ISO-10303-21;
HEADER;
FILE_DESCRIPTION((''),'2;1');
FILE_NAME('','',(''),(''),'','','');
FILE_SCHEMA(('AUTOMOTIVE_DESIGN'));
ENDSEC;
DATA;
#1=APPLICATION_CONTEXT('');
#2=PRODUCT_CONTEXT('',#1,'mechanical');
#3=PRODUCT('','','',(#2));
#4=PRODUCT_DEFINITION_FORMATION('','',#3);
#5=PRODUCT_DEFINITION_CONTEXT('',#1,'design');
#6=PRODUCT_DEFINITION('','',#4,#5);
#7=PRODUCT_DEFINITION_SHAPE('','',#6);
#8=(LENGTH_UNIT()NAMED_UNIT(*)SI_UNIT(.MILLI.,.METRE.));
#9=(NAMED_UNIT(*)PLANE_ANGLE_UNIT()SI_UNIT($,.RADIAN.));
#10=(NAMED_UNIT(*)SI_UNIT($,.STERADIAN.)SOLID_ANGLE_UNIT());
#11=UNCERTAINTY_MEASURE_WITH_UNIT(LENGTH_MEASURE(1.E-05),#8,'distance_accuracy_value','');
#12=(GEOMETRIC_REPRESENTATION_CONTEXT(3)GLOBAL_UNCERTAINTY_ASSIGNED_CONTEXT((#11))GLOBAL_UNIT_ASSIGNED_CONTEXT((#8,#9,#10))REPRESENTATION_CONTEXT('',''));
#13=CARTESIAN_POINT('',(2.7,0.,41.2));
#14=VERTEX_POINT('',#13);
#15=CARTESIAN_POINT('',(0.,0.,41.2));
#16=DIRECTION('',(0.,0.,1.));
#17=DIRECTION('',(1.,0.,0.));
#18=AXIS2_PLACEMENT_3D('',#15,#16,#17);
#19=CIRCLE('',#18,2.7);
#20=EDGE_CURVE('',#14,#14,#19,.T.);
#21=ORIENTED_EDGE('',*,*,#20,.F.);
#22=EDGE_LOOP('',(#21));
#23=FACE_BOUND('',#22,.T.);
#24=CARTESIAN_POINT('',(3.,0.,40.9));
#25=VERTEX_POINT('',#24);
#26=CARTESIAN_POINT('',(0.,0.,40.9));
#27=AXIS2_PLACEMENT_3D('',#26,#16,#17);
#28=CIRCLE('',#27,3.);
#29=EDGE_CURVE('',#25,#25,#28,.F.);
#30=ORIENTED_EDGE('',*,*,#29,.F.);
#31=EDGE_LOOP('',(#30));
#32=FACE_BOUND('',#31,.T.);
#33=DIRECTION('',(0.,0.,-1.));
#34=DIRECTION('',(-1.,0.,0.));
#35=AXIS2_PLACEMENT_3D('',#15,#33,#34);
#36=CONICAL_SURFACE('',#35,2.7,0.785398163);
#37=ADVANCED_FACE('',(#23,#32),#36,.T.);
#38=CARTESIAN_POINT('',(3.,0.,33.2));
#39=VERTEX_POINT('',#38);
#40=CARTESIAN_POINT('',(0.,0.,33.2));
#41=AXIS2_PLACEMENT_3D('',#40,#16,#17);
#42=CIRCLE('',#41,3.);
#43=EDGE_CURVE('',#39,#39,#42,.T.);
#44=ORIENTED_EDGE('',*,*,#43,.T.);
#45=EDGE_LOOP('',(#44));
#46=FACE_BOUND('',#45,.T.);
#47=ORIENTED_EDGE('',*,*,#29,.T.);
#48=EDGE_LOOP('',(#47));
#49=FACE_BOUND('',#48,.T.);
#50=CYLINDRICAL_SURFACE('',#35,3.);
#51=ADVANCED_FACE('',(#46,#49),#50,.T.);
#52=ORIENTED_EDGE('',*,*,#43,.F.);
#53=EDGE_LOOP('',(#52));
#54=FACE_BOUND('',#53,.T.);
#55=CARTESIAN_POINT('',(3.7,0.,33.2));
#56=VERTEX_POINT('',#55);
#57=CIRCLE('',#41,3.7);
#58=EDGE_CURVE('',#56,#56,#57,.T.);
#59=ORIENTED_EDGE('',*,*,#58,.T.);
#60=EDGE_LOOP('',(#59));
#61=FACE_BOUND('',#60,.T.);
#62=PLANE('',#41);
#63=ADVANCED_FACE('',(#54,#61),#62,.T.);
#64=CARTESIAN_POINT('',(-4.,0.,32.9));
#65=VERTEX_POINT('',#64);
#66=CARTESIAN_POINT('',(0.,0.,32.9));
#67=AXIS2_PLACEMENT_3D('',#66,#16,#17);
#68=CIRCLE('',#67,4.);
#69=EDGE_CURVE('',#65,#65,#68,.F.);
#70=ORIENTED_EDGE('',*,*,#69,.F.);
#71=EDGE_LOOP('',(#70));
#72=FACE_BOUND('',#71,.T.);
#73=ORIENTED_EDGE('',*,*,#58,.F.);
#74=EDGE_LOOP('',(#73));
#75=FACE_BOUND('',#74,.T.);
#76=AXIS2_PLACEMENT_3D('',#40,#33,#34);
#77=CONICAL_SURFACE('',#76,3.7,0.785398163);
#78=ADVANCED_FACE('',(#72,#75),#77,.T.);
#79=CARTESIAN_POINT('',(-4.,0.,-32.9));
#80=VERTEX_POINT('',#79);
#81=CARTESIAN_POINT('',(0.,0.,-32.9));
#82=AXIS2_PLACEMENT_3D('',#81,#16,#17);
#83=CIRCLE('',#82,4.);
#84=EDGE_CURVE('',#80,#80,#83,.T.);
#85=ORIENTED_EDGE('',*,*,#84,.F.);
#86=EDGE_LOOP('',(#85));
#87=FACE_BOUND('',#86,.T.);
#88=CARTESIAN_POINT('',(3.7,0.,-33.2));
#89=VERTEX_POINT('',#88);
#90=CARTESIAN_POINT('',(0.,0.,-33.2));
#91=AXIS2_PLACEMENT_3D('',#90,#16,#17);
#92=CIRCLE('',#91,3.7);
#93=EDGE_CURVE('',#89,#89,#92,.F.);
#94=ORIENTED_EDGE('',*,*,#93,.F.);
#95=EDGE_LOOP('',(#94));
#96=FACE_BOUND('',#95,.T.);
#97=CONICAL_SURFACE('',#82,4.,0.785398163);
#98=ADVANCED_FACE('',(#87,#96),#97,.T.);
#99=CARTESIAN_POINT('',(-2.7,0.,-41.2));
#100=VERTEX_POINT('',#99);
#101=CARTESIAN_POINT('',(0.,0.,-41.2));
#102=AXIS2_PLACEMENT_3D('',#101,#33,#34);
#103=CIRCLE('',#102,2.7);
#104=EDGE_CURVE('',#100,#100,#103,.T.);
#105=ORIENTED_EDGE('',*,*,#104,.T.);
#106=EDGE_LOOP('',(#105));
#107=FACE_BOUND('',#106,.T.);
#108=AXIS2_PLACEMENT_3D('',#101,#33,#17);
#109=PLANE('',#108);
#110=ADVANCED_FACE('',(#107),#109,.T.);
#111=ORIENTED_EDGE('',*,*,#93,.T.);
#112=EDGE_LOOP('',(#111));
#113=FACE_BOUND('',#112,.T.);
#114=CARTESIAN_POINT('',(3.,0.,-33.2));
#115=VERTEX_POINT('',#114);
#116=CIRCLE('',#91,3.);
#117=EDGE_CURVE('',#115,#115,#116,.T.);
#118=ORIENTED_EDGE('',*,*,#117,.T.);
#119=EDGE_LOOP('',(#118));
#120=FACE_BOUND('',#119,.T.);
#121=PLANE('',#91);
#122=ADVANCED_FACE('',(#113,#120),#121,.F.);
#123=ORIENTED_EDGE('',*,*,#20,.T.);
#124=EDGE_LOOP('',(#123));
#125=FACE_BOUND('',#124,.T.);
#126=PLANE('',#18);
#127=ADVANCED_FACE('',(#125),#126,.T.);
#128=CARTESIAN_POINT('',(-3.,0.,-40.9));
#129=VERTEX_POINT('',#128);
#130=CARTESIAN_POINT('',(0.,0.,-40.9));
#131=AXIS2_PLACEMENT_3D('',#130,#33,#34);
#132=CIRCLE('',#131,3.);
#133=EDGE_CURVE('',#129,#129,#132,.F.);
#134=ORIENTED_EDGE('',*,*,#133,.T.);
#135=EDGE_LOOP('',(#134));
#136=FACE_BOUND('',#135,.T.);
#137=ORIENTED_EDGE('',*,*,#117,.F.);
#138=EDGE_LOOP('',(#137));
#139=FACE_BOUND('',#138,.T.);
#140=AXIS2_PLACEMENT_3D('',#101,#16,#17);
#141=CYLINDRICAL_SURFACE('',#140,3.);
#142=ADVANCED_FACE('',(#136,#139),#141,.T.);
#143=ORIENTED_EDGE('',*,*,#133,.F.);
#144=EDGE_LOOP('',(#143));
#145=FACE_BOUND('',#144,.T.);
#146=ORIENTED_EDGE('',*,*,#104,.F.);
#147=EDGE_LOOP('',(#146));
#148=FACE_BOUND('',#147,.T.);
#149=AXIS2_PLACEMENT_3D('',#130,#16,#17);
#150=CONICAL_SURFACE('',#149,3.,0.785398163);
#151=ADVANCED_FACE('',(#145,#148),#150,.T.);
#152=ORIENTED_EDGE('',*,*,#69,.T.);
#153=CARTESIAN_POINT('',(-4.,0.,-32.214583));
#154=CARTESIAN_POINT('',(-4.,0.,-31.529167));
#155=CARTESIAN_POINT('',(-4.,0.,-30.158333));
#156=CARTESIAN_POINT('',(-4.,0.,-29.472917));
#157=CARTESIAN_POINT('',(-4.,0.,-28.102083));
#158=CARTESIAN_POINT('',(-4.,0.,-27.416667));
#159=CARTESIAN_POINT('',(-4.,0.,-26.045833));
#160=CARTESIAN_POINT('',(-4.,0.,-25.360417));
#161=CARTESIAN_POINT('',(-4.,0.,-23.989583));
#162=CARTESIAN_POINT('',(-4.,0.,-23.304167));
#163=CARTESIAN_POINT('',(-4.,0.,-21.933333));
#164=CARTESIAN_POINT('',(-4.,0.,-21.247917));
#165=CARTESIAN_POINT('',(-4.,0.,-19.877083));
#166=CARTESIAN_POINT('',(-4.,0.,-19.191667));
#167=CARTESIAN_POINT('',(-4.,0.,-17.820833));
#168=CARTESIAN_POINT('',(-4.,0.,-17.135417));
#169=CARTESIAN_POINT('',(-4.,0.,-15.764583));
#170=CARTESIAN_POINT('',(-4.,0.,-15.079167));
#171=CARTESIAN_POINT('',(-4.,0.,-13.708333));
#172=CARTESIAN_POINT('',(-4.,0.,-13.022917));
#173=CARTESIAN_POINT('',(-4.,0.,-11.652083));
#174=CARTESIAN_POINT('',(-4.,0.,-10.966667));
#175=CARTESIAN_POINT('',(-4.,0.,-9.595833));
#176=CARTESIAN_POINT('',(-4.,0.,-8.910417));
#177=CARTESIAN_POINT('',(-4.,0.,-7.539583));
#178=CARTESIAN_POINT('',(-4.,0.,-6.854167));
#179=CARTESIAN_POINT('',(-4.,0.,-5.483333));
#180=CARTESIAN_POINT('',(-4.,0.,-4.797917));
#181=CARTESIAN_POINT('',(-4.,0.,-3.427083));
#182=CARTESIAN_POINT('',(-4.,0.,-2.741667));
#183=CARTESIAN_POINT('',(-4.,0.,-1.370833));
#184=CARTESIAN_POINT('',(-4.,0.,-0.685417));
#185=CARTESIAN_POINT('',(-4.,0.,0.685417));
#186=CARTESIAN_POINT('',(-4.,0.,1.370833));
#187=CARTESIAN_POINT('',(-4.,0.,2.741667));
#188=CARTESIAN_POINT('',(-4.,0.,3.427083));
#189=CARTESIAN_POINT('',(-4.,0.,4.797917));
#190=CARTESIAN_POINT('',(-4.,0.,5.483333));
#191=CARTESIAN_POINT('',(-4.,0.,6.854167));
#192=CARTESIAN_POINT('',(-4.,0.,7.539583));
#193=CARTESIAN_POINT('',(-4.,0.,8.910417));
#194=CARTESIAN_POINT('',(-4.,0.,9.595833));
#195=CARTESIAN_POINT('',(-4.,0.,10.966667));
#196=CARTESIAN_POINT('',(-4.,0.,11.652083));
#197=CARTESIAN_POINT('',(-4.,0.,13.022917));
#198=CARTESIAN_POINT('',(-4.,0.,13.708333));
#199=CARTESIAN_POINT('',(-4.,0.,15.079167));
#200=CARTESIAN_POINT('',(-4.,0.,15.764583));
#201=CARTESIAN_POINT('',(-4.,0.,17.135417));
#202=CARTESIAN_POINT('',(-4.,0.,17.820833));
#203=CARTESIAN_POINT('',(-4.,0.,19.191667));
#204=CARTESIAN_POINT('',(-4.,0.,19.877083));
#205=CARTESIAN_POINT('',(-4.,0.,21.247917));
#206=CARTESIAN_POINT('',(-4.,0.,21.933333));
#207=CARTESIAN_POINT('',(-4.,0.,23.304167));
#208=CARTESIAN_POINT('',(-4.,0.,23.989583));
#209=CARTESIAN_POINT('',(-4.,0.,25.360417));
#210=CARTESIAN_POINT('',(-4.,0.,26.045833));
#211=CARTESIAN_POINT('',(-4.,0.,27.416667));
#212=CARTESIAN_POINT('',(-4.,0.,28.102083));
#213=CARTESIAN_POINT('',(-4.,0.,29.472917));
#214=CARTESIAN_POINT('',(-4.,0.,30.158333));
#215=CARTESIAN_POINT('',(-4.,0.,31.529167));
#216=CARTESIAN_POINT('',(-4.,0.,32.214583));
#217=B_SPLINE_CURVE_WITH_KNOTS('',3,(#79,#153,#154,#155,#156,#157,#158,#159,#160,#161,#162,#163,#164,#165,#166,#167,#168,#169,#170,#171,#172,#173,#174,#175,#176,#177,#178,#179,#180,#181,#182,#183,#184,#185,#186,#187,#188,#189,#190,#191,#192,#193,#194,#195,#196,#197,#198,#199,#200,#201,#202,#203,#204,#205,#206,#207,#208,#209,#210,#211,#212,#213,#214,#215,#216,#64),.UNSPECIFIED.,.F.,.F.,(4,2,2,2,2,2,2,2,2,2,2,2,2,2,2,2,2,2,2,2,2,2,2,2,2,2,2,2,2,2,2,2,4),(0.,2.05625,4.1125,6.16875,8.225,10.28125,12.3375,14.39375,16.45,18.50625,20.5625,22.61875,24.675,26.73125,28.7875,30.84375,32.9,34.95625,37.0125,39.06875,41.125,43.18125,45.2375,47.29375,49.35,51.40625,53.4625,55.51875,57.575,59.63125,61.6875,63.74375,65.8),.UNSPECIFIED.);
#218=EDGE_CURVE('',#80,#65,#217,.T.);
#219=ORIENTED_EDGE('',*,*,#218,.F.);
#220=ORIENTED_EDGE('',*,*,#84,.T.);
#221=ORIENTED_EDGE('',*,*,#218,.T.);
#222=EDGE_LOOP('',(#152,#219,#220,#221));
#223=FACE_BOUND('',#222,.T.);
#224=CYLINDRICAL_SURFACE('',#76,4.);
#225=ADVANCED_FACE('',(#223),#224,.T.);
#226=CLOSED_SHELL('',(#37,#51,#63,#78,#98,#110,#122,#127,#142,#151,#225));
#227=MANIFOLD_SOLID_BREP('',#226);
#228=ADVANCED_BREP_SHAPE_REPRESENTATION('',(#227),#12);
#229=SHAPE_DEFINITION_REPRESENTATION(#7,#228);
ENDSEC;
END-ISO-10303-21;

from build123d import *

# Parameters (mm, degrees)
SKETCH1_R           = 4
BOSS_EXTRUDE1_DEPTH = 33.2
SKETCH2_R           = 3
BOSS_EXTRUDE2_DEPTH = 8
CHAMFER1_SIZE       = 0.3


with BuildPart() as part:
    # Sketch1 → Boss-Extrude1 (new, symmetric)
    with BuildSketch(Plane.XY):
        with Locations(Location((0, 0, 0), (0, 0, 180))):
            Circle(SKETCH1_R)
    extrude(amount=BOSS_EXTRUDE1_DEPTH, both=True)

    # Sketch2 → Boss-Extrude2 (add)
    with BuildSketch(Plane.XY.offset(33.2)):
        Circle(SKETCH2_R)
    boss_extrude2 = extrude(amount=BOSS_EXTRUDE2_DEPTH)

    # Mirror1: Boss-Extrude2 across plane
    add(boss_extrude2.mirror(Plane.XY))

    # Chamfer1
    chamfer1_edges = [part.edges().sort_by_distance(p)[0] for p in [
        (-3, 0, -41.2),
        (4, 0, -33.2),
        (4, 0, 33.2),
        (-3, 0, 41.2),
    ]]
    chamfer(chamfer1_edges, length=CHAMFER1_SIZE)


solid = part.part
